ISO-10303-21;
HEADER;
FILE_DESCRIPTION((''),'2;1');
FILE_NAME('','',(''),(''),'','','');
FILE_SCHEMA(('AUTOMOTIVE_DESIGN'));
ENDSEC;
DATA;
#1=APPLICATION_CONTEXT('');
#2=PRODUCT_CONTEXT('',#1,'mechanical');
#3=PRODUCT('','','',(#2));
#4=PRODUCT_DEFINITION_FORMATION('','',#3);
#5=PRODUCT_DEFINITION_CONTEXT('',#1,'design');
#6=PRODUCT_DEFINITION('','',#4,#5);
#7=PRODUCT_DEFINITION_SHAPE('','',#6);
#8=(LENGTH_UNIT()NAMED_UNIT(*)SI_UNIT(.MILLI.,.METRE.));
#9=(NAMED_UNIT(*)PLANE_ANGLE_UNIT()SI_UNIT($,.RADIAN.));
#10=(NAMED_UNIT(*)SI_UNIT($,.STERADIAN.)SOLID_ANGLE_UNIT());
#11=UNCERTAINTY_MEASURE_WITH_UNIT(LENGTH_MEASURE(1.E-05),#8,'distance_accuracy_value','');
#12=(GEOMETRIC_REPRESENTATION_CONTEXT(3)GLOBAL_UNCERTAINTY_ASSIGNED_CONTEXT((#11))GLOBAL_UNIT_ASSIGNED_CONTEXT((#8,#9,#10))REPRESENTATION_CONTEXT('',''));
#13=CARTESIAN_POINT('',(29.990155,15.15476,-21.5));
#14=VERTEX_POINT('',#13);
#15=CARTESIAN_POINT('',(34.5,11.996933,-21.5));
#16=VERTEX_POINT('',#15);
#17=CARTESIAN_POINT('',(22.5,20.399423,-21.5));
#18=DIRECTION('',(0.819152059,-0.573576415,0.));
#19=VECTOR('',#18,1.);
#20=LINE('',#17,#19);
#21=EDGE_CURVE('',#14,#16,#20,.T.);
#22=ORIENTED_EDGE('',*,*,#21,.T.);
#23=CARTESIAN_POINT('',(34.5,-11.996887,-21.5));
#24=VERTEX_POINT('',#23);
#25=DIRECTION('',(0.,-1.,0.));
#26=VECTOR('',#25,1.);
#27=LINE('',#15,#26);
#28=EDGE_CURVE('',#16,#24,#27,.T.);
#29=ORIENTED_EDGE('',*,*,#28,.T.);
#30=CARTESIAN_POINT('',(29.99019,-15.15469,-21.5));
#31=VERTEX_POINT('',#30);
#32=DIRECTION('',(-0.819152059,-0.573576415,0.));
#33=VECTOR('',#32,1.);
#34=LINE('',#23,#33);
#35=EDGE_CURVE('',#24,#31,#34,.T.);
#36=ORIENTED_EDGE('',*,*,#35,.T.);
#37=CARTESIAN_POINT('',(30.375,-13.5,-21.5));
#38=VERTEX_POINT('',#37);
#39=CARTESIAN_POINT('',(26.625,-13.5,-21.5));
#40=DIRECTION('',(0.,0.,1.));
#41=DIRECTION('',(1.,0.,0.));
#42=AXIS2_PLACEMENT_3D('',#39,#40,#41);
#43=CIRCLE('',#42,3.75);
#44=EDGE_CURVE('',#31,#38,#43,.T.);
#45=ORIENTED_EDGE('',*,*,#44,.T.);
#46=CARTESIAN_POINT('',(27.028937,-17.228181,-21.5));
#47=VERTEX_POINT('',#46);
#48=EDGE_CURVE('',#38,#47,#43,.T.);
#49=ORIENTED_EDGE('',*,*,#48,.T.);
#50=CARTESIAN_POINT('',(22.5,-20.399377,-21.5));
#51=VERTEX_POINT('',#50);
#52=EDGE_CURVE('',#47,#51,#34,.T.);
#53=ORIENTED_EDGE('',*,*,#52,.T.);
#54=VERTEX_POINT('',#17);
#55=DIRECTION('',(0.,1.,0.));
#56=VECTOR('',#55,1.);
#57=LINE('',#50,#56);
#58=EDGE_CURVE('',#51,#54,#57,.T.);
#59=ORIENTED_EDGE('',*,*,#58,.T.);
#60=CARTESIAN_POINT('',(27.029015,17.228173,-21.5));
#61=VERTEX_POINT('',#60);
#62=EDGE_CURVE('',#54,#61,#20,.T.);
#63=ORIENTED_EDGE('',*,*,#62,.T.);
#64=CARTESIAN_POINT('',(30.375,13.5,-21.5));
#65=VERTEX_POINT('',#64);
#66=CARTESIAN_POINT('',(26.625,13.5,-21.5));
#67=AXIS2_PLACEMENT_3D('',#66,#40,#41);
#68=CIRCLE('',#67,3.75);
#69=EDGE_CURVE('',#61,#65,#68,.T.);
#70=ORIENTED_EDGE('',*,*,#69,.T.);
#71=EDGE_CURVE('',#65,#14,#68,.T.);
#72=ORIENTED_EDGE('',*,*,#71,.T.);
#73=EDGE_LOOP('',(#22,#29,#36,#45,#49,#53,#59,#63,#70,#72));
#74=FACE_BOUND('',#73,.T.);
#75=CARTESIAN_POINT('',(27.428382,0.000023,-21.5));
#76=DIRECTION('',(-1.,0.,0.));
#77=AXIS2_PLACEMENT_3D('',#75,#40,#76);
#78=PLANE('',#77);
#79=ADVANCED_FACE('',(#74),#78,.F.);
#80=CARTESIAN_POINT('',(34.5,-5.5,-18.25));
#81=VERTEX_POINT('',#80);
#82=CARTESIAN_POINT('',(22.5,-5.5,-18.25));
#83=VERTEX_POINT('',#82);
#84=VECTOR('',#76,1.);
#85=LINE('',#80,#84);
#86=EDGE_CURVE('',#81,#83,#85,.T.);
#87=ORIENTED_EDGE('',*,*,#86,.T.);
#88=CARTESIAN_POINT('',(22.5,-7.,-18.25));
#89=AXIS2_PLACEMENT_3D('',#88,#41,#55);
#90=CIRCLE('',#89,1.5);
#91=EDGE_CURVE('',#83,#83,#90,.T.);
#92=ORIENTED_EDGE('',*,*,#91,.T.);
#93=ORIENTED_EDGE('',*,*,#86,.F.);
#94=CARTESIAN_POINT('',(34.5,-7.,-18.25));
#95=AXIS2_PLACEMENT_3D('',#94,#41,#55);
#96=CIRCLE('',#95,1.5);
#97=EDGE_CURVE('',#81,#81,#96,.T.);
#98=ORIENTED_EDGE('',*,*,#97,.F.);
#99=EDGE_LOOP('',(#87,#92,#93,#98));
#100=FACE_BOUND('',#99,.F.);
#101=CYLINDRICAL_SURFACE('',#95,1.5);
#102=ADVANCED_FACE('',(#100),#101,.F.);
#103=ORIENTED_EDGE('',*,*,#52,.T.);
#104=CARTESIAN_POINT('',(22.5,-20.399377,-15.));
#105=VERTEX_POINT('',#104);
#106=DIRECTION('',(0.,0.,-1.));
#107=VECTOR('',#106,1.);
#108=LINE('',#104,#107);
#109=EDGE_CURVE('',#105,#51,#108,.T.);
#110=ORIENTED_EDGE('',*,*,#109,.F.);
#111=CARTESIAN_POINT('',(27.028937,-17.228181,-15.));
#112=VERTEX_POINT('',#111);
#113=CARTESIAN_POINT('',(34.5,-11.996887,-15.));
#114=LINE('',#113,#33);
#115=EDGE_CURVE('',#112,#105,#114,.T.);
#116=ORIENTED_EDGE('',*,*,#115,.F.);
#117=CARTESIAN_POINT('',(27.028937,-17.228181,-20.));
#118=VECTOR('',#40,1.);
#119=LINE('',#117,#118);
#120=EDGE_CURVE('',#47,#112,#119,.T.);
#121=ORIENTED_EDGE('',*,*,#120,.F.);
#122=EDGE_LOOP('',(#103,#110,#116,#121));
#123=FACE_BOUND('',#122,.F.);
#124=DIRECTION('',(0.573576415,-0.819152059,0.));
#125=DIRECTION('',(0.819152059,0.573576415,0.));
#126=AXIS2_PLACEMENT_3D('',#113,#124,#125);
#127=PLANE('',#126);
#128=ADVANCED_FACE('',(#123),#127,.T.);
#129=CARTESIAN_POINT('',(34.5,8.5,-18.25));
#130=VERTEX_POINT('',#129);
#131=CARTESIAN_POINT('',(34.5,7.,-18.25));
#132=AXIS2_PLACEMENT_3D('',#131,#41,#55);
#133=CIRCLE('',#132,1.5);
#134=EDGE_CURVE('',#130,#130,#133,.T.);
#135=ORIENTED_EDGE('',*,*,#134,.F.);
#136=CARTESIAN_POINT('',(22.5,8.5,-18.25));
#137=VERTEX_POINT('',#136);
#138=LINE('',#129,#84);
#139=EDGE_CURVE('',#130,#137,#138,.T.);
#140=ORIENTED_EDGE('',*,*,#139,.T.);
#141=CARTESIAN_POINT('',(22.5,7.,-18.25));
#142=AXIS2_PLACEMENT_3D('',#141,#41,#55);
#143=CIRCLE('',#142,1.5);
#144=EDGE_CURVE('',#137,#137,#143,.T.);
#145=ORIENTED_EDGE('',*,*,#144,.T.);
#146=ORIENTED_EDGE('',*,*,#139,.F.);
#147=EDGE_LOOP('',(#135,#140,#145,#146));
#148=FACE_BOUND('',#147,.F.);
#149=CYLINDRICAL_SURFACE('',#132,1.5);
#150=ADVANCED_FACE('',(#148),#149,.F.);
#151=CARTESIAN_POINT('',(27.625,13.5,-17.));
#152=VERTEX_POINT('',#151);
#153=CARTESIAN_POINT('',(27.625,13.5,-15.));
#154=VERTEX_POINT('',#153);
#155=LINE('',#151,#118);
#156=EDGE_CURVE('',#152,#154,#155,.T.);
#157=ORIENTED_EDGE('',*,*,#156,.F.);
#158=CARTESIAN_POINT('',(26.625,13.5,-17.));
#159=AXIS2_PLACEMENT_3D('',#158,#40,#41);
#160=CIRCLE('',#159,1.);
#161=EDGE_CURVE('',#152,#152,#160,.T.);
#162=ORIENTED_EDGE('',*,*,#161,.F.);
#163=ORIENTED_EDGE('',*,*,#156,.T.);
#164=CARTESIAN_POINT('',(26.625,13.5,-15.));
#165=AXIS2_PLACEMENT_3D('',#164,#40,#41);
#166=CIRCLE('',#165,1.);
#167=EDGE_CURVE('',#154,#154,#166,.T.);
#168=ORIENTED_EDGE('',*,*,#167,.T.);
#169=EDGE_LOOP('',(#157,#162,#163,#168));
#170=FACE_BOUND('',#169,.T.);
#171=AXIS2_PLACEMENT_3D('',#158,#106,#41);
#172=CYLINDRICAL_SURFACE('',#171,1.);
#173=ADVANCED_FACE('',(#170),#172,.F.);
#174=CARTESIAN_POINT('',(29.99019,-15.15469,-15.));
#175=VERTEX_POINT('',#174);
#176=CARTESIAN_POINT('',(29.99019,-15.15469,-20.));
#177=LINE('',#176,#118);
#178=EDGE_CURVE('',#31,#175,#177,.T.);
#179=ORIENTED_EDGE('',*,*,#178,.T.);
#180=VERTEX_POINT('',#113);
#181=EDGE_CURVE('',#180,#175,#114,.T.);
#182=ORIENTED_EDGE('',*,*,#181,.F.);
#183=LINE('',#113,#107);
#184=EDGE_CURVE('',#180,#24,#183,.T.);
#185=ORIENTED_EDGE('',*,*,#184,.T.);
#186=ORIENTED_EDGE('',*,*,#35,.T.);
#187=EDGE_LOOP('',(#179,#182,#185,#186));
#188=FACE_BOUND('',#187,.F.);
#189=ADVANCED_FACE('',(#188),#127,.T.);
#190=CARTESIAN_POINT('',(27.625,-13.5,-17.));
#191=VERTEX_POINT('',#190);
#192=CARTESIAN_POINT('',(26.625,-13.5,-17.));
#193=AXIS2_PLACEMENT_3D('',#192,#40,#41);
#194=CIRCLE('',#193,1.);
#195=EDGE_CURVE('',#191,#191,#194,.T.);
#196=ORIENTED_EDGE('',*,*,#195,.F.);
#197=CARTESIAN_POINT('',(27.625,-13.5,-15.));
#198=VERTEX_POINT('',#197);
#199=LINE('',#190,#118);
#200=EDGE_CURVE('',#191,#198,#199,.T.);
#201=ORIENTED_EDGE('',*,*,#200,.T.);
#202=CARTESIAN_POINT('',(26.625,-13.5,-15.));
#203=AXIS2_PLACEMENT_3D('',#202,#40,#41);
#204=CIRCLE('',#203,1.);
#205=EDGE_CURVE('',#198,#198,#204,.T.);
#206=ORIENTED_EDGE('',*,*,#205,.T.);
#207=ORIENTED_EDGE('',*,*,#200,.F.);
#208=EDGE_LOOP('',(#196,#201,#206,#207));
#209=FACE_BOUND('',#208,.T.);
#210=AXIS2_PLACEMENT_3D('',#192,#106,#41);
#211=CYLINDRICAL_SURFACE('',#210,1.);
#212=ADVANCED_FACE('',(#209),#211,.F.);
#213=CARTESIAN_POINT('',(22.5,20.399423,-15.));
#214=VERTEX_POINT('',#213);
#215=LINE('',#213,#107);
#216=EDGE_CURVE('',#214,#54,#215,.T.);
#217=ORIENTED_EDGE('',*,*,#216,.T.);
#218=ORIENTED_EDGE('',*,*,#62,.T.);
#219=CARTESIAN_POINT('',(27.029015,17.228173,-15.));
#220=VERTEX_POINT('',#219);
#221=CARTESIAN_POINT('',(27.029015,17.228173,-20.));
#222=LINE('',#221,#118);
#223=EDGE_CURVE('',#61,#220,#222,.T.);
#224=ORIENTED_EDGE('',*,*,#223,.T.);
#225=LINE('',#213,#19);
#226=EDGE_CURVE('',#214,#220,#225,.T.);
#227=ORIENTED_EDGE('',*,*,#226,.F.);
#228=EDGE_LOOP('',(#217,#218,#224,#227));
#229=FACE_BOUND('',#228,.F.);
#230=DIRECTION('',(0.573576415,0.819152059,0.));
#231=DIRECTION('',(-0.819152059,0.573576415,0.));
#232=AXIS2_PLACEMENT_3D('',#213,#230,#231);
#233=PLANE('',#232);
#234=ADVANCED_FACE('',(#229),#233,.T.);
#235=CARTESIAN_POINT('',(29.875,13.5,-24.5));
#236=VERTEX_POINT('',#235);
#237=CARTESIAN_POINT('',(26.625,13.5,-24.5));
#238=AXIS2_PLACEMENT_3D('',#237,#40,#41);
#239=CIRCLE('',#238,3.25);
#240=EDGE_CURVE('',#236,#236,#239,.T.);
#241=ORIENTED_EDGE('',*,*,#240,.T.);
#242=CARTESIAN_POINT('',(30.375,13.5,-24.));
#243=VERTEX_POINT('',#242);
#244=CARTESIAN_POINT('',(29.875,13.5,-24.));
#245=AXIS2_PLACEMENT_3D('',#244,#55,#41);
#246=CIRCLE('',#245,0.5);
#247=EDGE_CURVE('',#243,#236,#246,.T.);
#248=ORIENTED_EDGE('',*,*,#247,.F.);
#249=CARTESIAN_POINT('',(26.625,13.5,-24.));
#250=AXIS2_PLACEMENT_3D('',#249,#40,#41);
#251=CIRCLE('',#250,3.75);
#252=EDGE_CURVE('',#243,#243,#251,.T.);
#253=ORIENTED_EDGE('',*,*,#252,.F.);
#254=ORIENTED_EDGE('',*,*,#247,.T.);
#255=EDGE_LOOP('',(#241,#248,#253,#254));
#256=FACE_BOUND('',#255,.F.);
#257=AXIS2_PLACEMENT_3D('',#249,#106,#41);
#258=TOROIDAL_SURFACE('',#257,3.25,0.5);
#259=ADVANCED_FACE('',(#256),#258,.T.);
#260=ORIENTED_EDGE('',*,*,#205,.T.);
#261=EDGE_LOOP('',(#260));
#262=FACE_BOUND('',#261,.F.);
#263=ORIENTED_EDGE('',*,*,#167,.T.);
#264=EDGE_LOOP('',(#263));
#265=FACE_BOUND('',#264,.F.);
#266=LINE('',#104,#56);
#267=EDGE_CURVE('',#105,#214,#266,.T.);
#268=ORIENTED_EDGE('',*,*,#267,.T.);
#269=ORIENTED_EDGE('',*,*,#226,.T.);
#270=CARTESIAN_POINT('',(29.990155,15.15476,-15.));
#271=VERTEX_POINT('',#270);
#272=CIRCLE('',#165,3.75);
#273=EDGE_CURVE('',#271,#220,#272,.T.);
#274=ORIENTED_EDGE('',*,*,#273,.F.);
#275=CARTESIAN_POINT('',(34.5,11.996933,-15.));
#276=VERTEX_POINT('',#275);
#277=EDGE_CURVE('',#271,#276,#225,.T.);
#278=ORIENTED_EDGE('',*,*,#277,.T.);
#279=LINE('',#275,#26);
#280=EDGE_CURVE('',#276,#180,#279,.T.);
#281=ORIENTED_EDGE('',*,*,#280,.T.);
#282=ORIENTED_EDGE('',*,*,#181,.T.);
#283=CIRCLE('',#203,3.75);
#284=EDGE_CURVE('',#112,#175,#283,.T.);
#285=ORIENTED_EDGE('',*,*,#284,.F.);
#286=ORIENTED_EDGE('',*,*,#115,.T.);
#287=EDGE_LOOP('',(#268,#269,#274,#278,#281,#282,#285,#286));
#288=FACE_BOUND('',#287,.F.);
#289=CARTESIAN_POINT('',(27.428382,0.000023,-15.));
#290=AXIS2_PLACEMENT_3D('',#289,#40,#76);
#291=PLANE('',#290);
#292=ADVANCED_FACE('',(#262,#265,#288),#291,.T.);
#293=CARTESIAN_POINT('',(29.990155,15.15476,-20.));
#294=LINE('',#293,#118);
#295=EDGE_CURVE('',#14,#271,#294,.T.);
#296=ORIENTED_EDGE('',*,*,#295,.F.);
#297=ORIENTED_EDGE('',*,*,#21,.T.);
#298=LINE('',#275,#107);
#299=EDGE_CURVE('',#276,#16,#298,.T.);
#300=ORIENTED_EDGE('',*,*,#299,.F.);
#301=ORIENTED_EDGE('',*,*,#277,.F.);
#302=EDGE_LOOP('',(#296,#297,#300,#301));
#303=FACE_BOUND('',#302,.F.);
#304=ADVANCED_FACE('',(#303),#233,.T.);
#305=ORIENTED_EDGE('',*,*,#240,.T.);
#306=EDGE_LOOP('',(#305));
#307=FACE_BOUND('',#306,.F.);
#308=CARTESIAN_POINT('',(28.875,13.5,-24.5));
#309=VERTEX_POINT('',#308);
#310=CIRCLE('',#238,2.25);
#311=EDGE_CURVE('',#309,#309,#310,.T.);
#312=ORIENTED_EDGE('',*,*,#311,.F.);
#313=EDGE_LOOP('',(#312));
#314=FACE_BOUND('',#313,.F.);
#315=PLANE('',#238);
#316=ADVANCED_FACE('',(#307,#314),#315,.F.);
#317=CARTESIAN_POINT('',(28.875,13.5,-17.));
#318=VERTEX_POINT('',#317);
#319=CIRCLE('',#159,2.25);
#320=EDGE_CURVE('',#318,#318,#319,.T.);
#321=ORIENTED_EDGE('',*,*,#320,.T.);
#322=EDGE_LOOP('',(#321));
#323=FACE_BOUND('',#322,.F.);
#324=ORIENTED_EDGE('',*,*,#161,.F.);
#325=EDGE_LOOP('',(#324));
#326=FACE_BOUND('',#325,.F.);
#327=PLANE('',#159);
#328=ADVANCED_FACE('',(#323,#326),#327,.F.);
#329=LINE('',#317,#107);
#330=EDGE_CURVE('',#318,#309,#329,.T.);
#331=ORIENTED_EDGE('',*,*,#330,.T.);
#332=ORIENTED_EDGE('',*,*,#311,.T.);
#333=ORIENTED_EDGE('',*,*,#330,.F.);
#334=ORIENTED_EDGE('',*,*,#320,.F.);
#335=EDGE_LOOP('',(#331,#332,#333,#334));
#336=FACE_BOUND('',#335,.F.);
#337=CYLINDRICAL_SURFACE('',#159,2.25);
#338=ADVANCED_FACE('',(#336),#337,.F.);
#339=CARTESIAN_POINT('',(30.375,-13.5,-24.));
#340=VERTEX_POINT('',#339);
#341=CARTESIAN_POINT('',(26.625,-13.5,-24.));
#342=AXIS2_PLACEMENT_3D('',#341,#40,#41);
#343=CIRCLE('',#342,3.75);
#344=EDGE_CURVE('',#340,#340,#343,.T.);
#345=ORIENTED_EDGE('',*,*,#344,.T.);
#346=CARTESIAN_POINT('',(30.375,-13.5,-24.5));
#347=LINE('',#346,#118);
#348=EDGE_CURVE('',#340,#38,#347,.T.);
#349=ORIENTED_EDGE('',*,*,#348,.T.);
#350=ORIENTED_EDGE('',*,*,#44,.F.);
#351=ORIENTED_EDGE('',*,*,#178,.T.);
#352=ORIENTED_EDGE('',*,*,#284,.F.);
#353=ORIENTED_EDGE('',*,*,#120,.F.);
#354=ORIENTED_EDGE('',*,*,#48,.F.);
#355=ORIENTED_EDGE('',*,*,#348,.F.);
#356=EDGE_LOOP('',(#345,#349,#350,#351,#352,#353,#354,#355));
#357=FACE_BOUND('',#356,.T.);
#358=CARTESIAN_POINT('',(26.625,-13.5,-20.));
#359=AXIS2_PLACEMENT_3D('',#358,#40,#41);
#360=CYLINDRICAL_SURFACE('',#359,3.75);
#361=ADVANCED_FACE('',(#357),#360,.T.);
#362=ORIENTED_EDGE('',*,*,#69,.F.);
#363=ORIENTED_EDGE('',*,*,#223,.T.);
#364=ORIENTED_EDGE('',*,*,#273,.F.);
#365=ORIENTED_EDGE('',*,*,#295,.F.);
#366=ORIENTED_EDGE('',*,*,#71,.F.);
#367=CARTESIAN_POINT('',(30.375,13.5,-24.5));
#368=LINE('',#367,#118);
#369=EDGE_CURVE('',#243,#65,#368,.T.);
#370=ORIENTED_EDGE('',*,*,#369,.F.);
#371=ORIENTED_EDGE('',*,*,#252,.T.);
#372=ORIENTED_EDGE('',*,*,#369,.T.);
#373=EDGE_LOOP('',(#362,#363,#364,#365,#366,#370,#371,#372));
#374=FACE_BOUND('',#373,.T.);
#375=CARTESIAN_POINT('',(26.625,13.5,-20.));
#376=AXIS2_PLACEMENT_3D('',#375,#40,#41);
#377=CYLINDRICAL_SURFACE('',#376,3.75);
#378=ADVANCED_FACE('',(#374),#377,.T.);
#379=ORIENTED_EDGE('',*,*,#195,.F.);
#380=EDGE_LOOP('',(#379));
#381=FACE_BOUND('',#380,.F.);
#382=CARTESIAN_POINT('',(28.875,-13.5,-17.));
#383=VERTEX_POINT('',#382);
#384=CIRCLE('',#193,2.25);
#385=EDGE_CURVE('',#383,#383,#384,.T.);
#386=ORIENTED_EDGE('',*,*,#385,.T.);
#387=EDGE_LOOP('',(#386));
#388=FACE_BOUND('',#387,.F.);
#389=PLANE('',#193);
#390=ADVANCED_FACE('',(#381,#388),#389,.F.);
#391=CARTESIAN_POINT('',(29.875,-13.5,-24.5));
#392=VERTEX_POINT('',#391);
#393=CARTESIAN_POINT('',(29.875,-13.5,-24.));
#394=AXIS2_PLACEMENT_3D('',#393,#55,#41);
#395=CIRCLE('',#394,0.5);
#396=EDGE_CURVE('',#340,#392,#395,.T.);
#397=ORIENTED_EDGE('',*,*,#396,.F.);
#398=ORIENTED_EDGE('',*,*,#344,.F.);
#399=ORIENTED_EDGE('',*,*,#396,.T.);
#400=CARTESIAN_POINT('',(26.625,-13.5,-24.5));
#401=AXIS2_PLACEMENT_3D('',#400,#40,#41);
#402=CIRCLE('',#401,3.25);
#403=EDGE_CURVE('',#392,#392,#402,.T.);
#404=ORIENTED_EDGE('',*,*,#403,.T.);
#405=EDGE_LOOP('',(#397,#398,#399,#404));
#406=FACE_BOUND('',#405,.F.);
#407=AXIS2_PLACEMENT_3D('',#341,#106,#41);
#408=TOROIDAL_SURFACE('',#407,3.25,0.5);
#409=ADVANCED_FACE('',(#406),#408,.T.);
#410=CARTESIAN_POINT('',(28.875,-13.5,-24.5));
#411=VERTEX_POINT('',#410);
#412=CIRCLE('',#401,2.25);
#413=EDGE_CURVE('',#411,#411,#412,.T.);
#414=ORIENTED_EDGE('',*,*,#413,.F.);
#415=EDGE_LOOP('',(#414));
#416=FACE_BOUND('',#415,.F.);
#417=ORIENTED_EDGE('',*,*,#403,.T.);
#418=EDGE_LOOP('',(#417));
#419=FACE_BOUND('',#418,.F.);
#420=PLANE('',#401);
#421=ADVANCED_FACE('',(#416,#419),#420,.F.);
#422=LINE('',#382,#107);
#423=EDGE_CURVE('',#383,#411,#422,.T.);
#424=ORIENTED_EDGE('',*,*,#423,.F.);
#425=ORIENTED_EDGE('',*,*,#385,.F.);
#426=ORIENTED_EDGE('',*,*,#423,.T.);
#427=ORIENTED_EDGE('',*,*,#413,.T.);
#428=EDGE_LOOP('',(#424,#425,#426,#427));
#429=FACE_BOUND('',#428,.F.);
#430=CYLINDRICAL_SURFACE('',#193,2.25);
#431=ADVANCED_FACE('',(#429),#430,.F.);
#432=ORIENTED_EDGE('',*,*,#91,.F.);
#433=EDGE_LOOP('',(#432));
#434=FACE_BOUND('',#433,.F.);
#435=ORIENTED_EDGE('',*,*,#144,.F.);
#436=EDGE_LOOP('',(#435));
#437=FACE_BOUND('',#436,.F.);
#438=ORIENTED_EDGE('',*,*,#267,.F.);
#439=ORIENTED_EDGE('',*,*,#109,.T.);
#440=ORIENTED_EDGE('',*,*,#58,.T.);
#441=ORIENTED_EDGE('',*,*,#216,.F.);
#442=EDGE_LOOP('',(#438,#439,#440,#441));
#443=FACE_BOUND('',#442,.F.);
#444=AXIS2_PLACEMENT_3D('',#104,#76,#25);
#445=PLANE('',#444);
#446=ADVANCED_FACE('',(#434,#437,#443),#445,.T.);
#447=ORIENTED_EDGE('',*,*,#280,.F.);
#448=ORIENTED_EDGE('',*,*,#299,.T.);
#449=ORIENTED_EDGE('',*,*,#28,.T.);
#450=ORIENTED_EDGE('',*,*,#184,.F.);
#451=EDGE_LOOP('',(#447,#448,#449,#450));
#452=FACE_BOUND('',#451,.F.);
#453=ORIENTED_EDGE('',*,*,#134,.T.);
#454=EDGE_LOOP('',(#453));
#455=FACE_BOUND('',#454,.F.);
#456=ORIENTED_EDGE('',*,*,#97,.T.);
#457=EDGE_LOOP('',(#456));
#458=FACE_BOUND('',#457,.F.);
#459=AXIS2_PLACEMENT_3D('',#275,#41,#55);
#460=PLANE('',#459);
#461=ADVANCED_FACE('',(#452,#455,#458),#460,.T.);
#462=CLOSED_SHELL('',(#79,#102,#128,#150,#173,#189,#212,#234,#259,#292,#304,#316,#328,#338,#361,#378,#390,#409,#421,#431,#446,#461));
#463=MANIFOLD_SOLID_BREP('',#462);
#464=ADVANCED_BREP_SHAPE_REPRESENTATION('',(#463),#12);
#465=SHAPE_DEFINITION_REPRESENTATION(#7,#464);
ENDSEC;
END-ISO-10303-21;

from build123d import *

# Parameters (mm, degrees)
SKETCH044_R           = 1.5
EXTRUDE033_DEPTH      = 100
SKETCH047_R           = 2.25
EXTRUDE036_DEPTH      = 7.5
SKETCH046_R           = 1
EXTRUDE035_DEPTH      = 2
EXTRUDE034_DEPTH      = 6.5
SKETCH043_R           = 3.75
EXTRUDE032_DEPTH      = 5
EXTRUDE032_DEPTH_BACK = 4.5
FILLET019_R           = 0.5


with BuildPart() as extrude033:
    # Sketch044 → Extrude033 (new body)
    with BuildSketch(Plane.YZ.offset(34.5)):
        with Locations((-7, -18.25)):
            Circle(SKETCH044_R)
        with Locations((7, -18.25)):
            Circle(SKETCH044_R)
    extrude(amount=-EXTRUDE033_DEPTH)


with BuildPart() as extrude036:
    # Sketch047 → Extrude036 (new body)
    with BuildSketch(Plane.XY.offset(-20)):
        with Locations((26.625, 13.5)):
            Circle(SKETCH047_R)
        with Locations((26.625, -13.5)):
            Circle(SKETCH047_R)
    extrude(amount=-EXTRUDE036_DEPTH)


with BuildPart() as extrude036_1:
    # Extrude036 placement: moved
    add(extrude036.part.moved(Location((0, 0, 3))))


with BuildPart() as fusion015:
    # Sketch046 → Extrude035 (new body)
    with BuildSketch(Plane.XY.offset(-20)):
        with Locations((26.625, 13.5)):
            Circle(SKETCH046_R)
        with Locations((26.625, -13.5)):
            Circle(SKETCH046_R)
    extrude(amount=EXTRUDE035_DEPTH)


with BuildPart() as fusion015_1:
    # Extrude035 placement: moved
    add(fusion015.part.moved(Location((0, 0, 3))))

    # Fusion015: union Extrude036
    add(extrude036_1.part)


with BuildPart() as extrude034:
    # Sketch045 → Extrude034 (new body)
    with BuildSketch(Plane(origin=(0, 0, -15), x_dir=(1, 0, 0), z_dir=(0, 0, -1))):
        Polygon((-22.5, 20.399377), (-22.5, -20.399423), (-34.5, -11.996933), (-34.5, 11.996887), align=None)
    extrude(amount=EXTRUDE034_DEPTH)


with BuildPart() as part_mirroring003:
    # Part__Mirroring003: instance of Extrude034
    add(extrude034.part.mirror(Plane(origin=(0, 0, 0), x_dir=(0, -1, 0), z_dir=(1, 0, 0))))


with BuildPart() as boden_tube_bracket_w_deep_fitting:
    # Sketch043 → Extrude032 (new body, two sides)
    with BuildSketch(Plane.XY.offset(-20)) as extrude032_sk:
        with Locations((26.625, 13.5)):
            Circle(SKETCH043_R)
        with Locations((26.625, -13.5)):
            Circle(SKETCH043_R)
    extrude(amount=EXTRUDE032_DEPTH)
    extrude(extrude032_sk.sketch, amount=-EXTRUDE032_DEPTH_BACK)

    # Fillet019
    fillet019_edges = [boden_tube_bracket_w_deep_fitting.edges().sort_by_distance(p)[0] for p in [
        (22.875, -13.5, -24.5),
        (22.875, 13.5, -24.5),
    ]]
    fillet(fillet019_edges, radius=FILLET019_R)

    # Fusion016: union Part__Mirroring003
    add(part_mirroring003.part)

    # Cut013: cut Fusion015
    add(fusion015_1.part, mode=Mode.SUBTRACT)

    # Cut014: cut Extrude033
    add(extrude033.part, mode=Mode.SUBTRACT)


solid = boden_tube_bracket_w_deep_fitting.part
